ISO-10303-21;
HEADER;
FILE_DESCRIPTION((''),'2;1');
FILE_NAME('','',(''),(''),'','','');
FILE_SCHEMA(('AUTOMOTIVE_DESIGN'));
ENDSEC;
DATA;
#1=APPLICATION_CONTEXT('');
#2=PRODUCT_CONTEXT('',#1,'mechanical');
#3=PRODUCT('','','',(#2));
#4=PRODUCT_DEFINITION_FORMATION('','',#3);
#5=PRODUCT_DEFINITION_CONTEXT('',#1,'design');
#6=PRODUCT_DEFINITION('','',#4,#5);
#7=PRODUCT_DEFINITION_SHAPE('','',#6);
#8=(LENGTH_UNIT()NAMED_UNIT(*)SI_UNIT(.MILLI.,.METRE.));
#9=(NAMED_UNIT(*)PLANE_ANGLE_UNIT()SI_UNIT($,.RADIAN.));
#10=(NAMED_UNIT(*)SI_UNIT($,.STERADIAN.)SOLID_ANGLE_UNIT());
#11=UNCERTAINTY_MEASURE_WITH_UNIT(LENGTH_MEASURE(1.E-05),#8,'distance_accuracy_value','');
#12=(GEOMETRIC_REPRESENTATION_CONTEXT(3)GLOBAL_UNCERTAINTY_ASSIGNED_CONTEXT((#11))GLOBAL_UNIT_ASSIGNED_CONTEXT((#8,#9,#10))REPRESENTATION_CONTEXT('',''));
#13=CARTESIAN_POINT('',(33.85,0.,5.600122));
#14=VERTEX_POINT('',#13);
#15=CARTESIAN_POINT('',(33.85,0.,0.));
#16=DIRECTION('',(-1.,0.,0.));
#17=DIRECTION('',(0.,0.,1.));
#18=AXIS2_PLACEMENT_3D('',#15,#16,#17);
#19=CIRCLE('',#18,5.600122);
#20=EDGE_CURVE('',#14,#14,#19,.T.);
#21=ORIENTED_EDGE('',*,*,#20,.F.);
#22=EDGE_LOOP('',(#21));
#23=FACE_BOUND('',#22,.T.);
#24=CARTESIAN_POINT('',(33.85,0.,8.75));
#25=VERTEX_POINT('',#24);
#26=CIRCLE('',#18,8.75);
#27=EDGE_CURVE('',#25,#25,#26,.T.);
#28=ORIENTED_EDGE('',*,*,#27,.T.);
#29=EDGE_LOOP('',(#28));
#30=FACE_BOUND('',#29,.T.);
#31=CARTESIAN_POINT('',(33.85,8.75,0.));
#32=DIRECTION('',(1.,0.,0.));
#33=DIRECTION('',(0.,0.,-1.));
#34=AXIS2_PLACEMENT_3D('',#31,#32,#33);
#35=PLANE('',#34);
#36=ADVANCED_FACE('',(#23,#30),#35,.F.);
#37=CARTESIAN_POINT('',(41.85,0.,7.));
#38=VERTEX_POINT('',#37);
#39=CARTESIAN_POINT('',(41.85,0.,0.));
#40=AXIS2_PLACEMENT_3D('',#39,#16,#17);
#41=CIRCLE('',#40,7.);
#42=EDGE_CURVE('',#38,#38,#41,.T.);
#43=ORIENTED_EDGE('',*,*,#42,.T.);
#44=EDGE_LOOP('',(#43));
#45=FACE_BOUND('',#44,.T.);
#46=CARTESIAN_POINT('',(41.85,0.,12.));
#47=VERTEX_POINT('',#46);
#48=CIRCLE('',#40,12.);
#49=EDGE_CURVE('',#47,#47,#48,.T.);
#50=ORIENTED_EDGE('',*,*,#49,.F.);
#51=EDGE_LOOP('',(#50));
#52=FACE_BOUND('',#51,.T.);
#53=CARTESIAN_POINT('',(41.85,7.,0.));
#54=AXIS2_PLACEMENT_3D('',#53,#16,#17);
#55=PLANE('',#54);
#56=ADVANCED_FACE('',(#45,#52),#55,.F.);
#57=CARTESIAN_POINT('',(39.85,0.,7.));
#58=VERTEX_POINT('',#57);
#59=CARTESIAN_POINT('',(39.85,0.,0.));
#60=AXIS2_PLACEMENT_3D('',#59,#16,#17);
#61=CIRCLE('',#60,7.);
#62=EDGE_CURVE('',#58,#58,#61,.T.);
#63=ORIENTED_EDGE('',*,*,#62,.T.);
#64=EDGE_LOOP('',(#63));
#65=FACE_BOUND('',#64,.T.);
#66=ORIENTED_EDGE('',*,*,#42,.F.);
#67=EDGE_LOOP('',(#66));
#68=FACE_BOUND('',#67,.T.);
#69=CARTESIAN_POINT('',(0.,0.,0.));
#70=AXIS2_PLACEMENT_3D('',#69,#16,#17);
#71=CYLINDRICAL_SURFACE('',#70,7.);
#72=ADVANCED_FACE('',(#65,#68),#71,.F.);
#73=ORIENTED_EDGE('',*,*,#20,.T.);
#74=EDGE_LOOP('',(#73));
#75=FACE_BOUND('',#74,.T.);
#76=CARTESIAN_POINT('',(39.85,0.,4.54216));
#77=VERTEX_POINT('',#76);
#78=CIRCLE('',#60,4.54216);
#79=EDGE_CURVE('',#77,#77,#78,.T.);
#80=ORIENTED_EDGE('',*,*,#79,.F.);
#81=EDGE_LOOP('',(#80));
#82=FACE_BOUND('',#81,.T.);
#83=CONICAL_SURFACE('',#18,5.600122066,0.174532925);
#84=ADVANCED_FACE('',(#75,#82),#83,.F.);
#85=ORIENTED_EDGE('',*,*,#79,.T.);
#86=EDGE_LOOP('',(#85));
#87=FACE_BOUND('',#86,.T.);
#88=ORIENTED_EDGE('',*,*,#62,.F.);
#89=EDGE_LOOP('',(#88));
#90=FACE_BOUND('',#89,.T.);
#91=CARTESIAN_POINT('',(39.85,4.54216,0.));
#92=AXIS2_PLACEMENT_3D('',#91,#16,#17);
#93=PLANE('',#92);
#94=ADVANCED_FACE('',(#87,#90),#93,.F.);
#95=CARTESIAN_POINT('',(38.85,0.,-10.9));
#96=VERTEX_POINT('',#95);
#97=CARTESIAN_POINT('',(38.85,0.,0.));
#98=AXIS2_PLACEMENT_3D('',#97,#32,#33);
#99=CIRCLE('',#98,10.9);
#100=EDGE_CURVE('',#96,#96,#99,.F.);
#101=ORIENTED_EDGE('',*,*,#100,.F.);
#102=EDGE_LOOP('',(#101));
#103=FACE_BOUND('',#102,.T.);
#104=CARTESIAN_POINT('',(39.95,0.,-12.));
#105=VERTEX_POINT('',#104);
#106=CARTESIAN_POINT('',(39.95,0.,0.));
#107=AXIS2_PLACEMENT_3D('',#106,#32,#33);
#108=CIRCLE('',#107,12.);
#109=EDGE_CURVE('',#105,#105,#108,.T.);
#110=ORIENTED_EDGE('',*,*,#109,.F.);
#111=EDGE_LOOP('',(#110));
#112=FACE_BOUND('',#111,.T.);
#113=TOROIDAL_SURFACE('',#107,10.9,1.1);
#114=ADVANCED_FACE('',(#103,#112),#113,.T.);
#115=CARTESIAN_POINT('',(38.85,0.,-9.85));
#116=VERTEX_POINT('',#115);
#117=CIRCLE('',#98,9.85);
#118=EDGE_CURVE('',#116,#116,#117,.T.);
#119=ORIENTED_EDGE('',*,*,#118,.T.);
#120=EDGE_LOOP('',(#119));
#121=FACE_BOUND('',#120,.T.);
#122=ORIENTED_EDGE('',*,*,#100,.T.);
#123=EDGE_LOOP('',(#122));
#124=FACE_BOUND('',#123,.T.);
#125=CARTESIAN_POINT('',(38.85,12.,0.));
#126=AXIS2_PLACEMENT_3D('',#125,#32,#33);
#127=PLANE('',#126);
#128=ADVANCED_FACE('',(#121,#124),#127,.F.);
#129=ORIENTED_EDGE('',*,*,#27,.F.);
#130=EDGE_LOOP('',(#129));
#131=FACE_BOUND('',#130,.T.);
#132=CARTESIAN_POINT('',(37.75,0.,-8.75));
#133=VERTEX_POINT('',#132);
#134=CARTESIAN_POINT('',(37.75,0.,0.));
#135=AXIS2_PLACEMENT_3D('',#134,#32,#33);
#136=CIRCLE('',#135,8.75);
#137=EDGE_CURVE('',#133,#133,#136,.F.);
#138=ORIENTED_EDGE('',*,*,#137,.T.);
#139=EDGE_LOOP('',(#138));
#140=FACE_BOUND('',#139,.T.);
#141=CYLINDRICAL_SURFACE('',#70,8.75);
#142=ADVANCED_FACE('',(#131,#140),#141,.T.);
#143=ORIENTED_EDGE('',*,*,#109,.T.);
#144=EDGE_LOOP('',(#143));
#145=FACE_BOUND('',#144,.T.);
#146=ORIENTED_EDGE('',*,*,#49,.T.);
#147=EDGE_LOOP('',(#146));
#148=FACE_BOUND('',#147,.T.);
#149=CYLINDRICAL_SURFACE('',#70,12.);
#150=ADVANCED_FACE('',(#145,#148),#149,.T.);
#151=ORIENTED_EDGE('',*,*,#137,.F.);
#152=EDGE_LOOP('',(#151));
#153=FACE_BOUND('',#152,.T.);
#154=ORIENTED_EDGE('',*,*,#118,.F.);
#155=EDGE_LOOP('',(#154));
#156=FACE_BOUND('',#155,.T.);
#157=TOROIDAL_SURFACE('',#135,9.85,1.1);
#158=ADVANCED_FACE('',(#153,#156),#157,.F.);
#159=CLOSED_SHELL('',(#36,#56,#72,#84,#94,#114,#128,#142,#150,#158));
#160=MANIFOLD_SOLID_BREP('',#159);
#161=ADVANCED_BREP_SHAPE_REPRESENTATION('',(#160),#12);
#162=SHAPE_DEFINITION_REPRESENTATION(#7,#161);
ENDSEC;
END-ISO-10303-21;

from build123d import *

# Parameters (mm, degrees)
CONG_1_R = 1.1


with BuildPart() as part:
    # Esquisse2 → Base-Révolution (revolve)
    with BuildSketch(Plane.XY, mode=Mode.PRIVATE) as base_r_volution_sk:
        Polygon((39.85, 4.542160182), (33.85, 5.600122066), (33.85, 8.75), (38.85, 8.75), (38.85, 12), (41.85, 12), (41.85, 7), (39.85, 7), align=None)
    revolve(base_r_volution_sk.sketch.rotate(Axis((0, 0, 0), (1, 0, 0)), 90), axis=Axis((0, 0, 0), (1, 0, 0)))

    # Congé1
    cong_1_edges = [part.edges().sort_by_distance(p)[0] for p in [
        (38.85, 0, -8.75),
        (38.85, 0, -12),
    ]]
    fillet(cong_1_edges, radius=CONG_1_R)


solid = part.part
